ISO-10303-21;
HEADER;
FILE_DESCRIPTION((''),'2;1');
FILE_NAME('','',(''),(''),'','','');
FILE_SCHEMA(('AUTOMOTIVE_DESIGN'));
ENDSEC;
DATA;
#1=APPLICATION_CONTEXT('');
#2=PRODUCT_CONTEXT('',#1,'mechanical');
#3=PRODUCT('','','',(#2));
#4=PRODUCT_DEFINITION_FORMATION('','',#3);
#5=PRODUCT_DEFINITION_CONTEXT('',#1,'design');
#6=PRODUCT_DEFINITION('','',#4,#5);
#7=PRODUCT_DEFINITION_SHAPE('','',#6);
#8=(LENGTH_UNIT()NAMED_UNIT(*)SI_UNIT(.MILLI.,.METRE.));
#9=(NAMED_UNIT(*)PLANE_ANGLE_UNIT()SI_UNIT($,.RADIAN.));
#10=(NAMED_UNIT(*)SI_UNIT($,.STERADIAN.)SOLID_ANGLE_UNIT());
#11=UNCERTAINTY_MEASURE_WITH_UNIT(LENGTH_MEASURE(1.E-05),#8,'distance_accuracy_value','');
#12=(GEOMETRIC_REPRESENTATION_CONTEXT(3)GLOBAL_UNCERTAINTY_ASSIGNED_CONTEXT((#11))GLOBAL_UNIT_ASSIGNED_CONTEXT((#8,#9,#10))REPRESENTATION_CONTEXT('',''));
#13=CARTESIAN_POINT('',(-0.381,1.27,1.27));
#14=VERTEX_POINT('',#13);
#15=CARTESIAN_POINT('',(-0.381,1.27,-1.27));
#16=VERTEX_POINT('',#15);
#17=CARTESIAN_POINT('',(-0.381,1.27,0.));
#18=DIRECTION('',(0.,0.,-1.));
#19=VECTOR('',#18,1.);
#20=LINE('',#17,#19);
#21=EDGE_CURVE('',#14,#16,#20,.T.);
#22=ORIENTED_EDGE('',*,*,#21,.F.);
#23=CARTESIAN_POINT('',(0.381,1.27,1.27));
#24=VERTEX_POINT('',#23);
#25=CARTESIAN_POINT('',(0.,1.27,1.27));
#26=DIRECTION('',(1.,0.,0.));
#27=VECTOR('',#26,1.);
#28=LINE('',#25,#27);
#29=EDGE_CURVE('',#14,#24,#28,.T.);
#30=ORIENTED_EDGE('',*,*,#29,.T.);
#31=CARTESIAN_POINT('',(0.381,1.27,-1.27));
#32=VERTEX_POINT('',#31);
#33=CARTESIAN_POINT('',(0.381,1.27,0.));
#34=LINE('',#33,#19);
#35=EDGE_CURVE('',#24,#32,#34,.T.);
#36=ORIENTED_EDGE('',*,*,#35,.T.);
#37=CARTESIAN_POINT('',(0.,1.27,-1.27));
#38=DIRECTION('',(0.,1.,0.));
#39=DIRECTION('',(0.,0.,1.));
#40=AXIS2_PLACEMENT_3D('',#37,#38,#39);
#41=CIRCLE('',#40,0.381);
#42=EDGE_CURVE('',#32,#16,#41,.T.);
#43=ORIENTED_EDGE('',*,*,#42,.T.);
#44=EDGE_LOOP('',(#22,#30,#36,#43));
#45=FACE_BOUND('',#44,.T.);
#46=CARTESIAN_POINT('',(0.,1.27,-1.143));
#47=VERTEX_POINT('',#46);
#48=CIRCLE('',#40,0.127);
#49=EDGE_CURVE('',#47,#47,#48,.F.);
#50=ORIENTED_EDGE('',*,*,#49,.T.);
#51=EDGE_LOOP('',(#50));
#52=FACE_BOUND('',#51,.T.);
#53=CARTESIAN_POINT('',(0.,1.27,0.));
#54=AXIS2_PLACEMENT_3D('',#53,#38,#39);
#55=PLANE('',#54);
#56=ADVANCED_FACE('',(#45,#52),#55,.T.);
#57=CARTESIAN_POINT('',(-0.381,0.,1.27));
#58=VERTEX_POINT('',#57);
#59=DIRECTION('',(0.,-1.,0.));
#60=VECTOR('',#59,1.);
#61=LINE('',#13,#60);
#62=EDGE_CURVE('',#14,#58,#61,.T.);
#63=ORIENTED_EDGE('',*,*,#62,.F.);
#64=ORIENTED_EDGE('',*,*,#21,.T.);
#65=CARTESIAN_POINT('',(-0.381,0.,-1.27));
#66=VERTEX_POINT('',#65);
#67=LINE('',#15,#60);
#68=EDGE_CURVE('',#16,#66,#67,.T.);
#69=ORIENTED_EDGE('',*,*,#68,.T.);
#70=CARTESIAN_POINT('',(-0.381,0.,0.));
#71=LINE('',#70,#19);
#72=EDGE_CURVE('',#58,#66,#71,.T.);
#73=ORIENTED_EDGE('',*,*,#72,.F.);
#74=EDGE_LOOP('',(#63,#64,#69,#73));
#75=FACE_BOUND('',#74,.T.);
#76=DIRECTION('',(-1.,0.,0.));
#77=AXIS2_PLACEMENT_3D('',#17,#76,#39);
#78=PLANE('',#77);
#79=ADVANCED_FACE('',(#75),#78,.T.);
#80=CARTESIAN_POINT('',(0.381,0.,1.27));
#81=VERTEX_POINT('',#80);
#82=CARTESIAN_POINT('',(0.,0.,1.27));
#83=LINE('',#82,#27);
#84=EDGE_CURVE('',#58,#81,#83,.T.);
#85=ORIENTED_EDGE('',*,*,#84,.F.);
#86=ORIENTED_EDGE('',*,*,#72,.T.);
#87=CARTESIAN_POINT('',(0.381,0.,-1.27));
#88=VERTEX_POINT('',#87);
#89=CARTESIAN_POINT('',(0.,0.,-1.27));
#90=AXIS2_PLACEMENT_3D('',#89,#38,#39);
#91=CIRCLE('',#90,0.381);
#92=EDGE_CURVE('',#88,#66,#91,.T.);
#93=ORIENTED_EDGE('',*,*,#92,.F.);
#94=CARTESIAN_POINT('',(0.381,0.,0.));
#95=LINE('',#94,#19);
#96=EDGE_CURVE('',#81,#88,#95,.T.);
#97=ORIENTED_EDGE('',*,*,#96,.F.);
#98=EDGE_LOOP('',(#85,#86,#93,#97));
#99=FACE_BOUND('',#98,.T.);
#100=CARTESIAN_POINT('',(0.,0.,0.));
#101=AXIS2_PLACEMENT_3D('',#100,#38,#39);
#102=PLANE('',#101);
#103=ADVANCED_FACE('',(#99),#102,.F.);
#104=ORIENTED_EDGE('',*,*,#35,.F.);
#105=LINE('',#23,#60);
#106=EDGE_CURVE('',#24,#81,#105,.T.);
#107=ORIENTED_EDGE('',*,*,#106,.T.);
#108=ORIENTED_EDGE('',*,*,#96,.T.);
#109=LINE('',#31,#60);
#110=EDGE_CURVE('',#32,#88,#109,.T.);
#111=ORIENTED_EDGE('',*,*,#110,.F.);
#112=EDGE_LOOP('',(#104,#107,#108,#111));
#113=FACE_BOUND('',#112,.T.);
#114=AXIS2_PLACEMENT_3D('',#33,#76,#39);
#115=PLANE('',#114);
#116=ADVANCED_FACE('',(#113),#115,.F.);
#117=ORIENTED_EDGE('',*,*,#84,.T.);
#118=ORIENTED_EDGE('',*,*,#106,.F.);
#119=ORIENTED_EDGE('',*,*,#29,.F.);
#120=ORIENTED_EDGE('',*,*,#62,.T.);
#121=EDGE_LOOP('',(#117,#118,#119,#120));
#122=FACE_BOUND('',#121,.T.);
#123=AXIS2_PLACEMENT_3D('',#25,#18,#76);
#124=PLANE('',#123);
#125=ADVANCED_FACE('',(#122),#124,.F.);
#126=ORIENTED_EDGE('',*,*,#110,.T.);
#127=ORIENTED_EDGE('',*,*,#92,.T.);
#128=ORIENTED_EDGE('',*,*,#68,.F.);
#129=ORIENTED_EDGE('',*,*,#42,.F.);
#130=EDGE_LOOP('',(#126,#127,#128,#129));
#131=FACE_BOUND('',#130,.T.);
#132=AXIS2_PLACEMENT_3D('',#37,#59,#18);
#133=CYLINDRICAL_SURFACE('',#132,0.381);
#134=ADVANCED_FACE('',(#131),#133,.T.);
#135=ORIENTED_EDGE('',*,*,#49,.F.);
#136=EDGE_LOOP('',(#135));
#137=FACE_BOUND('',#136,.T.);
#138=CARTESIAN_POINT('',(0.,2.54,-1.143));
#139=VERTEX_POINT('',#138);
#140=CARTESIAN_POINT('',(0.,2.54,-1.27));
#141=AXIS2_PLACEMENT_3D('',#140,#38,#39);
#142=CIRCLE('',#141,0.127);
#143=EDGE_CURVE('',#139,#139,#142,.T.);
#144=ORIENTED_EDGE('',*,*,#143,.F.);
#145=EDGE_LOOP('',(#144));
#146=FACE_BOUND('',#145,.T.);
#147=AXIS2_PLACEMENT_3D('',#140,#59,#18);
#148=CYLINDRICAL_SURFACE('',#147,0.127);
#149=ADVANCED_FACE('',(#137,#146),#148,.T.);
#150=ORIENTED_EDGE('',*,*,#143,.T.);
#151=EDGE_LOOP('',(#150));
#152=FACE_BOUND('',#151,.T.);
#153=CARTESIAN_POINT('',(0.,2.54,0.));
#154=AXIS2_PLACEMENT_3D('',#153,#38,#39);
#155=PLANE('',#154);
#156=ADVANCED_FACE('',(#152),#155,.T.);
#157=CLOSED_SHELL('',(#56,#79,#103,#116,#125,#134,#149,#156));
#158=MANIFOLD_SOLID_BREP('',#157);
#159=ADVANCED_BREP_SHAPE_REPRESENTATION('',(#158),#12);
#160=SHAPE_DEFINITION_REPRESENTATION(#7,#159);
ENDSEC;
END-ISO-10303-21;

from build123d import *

# Parameters (mm, degrees)
BOSS_EXTRUDE1_DEPTH = 1.27
SKETCH1_4_R         = 0.127
BOSS_EXTRUDE2_DEPTH = 2.54


with BuildPart() as part:
    # Sketch1 → Boss-Extrude1 (new body)
    with BuildSketch(Plane(origin=(0, 0, 0), x_dir=(1, 0, 0), z_dir=(0, 1, 0))):
        with BuildLine():
            Line((-0.381, 1.27), (-0.381, -1.27))
            Line((-0.381, -1.27), (0.381, -1.27))
            Line((0.381, -1.27), (0.381, 1.27))
            ThreePointArc((0.381, 1.27), (0, 1.651), (-0.381, 1.27))
        make_face()
    extrude(amount=BOSS_EXTRUDE1_DEPTH)

    # Sketch1<4> → Boss-Extrude2 (add)
    with BuildSketch(Plane(origin=(0, 0, 0), x_dir=(1, 0, 0), z_dir=(0, 1, 0))):
        with Locations((0, 1.27)):
            Circle(SKETCH1_4_R)
    extrude(amount=BOSS_EXTRUDE2_DEPTH)


solid = part.part
